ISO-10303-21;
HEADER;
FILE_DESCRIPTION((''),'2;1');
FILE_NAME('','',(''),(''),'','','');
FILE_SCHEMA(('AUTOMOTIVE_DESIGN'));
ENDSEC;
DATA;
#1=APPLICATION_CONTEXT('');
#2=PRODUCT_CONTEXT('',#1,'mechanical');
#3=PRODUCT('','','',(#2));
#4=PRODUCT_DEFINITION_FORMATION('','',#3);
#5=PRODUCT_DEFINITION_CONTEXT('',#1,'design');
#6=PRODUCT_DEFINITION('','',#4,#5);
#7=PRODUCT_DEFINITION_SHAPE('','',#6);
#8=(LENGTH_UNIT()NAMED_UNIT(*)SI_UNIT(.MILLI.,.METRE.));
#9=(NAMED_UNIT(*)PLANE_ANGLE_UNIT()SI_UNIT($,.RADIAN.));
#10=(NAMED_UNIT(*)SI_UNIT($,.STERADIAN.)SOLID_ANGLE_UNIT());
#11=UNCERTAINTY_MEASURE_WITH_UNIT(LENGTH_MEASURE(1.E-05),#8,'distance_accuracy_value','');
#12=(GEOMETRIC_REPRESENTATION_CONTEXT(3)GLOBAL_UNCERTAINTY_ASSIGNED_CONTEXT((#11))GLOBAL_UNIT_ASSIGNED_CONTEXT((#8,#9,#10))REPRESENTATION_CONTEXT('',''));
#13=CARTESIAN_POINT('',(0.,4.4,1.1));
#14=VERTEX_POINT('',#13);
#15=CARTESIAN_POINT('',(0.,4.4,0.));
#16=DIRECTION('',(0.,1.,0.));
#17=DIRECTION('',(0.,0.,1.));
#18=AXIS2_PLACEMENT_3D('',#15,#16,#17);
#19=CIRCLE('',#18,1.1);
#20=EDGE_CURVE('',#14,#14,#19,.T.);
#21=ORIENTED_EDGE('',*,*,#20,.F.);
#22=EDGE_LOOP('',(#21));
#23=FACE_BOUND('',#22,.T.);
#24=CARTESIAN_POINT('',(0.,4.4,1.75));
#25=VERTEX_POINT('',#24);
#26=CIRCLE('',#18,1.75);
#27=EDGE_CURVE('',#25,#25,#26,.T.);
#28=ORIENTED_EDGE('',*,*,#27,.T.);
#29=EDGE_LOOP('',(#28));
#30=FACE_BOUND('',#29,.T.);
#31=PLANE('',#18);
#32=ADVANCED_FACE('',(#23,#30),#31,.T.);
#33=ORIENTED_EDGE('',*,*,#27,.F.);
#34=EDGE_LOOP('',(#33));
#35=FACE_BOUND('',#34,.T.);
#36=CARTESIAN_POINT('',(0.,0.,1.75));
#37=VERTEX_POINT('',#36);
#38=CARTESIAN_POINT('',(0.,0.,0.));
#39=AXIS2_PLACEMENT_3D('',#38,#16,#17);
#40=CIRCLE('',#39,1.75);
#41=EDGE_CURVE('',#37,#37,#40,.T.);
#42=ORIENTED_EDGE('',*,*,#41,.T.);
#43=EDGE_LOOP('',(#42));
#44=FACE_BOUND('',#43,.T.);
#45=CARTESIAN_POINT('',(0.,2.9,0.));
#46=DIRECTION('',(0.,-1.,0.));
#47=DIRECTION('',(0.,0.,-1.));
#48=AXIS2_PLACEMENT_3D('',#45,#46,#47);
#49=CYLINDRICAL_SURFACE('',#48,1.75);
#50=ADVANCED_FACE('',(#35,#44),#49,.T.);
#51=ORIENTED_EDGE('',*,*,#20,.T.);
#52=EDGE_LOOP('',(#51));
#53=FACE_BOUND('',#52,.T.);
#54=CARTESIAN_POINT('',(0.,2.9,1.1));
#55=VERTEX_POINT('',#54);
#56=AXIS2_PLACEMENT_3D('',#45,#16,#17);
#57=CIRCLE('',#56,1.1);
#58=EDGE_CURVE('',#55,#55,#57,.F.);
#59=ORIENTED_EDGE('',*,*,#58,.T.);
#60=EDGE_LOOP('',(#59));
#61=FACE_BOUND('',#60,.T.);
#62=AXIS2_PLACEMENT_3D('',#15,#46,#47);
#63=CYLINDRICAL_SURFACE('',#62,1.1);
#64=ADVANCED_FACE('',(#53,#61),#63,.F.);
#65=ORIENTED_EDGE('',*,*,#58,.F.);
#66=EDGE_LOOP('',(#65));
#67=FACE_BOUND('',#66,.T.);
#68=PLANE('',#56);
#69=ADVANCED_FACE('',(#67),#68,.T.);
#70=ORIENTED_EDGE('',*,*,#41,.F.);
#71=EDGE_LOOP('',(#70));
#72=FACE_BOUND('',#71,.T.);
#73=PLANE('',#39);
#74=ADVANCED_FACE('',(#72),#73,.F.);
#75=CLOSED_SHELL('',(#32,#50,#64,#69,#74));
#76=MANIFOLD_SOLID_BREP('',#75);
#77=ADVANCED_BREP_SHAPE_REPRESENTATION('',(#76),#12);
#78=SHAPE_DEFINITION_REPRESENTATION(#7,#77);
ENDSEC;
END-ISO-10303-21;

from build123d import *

# Parameters (mm, degrees)
SKETCH_1_R      = 1.75
EXTRUDE_1_DEPTH = 2.9
SKETCH_2_R      = 1.75
SKETCH_2_R_2    = 1.1
EXTRUDE_2_DEPTH = 1.5


with BuildPart() as part:
    # 草图1 → 凸台-拉伸1 (new body)
    with BuildSketch(Plane(origin=(0, 0, 0), x_dir=(1, 0, 0), z_dir=(0, 1, 0))):
        with Locations(Location((0, 0, 0), (0, 0, 270))):
            Circle(SKETCH_1_R)
    extrude(amount=EXTRUDE_1_DEPTH)

    # 草图2 → 凸台-拉伸2 (add)
    with BuildSketch(Plane(origin=(0, 2.9, 0), x_dir=(1, 0, 0), z_dir=(0, 1, 0))):
        with Locations(Location((0, 0, 0), (0, 0, 270))):
            Circle(SKETCH_2_R)
        with Locations(Location((0, 0, 0), (0, 0, 270))):
            Circle(SKETCH_2_R_2, mode=Mode.SUBTRACT)
    extrude(amount=EXTRUDE_2_DEPTH)


solid = part.part
